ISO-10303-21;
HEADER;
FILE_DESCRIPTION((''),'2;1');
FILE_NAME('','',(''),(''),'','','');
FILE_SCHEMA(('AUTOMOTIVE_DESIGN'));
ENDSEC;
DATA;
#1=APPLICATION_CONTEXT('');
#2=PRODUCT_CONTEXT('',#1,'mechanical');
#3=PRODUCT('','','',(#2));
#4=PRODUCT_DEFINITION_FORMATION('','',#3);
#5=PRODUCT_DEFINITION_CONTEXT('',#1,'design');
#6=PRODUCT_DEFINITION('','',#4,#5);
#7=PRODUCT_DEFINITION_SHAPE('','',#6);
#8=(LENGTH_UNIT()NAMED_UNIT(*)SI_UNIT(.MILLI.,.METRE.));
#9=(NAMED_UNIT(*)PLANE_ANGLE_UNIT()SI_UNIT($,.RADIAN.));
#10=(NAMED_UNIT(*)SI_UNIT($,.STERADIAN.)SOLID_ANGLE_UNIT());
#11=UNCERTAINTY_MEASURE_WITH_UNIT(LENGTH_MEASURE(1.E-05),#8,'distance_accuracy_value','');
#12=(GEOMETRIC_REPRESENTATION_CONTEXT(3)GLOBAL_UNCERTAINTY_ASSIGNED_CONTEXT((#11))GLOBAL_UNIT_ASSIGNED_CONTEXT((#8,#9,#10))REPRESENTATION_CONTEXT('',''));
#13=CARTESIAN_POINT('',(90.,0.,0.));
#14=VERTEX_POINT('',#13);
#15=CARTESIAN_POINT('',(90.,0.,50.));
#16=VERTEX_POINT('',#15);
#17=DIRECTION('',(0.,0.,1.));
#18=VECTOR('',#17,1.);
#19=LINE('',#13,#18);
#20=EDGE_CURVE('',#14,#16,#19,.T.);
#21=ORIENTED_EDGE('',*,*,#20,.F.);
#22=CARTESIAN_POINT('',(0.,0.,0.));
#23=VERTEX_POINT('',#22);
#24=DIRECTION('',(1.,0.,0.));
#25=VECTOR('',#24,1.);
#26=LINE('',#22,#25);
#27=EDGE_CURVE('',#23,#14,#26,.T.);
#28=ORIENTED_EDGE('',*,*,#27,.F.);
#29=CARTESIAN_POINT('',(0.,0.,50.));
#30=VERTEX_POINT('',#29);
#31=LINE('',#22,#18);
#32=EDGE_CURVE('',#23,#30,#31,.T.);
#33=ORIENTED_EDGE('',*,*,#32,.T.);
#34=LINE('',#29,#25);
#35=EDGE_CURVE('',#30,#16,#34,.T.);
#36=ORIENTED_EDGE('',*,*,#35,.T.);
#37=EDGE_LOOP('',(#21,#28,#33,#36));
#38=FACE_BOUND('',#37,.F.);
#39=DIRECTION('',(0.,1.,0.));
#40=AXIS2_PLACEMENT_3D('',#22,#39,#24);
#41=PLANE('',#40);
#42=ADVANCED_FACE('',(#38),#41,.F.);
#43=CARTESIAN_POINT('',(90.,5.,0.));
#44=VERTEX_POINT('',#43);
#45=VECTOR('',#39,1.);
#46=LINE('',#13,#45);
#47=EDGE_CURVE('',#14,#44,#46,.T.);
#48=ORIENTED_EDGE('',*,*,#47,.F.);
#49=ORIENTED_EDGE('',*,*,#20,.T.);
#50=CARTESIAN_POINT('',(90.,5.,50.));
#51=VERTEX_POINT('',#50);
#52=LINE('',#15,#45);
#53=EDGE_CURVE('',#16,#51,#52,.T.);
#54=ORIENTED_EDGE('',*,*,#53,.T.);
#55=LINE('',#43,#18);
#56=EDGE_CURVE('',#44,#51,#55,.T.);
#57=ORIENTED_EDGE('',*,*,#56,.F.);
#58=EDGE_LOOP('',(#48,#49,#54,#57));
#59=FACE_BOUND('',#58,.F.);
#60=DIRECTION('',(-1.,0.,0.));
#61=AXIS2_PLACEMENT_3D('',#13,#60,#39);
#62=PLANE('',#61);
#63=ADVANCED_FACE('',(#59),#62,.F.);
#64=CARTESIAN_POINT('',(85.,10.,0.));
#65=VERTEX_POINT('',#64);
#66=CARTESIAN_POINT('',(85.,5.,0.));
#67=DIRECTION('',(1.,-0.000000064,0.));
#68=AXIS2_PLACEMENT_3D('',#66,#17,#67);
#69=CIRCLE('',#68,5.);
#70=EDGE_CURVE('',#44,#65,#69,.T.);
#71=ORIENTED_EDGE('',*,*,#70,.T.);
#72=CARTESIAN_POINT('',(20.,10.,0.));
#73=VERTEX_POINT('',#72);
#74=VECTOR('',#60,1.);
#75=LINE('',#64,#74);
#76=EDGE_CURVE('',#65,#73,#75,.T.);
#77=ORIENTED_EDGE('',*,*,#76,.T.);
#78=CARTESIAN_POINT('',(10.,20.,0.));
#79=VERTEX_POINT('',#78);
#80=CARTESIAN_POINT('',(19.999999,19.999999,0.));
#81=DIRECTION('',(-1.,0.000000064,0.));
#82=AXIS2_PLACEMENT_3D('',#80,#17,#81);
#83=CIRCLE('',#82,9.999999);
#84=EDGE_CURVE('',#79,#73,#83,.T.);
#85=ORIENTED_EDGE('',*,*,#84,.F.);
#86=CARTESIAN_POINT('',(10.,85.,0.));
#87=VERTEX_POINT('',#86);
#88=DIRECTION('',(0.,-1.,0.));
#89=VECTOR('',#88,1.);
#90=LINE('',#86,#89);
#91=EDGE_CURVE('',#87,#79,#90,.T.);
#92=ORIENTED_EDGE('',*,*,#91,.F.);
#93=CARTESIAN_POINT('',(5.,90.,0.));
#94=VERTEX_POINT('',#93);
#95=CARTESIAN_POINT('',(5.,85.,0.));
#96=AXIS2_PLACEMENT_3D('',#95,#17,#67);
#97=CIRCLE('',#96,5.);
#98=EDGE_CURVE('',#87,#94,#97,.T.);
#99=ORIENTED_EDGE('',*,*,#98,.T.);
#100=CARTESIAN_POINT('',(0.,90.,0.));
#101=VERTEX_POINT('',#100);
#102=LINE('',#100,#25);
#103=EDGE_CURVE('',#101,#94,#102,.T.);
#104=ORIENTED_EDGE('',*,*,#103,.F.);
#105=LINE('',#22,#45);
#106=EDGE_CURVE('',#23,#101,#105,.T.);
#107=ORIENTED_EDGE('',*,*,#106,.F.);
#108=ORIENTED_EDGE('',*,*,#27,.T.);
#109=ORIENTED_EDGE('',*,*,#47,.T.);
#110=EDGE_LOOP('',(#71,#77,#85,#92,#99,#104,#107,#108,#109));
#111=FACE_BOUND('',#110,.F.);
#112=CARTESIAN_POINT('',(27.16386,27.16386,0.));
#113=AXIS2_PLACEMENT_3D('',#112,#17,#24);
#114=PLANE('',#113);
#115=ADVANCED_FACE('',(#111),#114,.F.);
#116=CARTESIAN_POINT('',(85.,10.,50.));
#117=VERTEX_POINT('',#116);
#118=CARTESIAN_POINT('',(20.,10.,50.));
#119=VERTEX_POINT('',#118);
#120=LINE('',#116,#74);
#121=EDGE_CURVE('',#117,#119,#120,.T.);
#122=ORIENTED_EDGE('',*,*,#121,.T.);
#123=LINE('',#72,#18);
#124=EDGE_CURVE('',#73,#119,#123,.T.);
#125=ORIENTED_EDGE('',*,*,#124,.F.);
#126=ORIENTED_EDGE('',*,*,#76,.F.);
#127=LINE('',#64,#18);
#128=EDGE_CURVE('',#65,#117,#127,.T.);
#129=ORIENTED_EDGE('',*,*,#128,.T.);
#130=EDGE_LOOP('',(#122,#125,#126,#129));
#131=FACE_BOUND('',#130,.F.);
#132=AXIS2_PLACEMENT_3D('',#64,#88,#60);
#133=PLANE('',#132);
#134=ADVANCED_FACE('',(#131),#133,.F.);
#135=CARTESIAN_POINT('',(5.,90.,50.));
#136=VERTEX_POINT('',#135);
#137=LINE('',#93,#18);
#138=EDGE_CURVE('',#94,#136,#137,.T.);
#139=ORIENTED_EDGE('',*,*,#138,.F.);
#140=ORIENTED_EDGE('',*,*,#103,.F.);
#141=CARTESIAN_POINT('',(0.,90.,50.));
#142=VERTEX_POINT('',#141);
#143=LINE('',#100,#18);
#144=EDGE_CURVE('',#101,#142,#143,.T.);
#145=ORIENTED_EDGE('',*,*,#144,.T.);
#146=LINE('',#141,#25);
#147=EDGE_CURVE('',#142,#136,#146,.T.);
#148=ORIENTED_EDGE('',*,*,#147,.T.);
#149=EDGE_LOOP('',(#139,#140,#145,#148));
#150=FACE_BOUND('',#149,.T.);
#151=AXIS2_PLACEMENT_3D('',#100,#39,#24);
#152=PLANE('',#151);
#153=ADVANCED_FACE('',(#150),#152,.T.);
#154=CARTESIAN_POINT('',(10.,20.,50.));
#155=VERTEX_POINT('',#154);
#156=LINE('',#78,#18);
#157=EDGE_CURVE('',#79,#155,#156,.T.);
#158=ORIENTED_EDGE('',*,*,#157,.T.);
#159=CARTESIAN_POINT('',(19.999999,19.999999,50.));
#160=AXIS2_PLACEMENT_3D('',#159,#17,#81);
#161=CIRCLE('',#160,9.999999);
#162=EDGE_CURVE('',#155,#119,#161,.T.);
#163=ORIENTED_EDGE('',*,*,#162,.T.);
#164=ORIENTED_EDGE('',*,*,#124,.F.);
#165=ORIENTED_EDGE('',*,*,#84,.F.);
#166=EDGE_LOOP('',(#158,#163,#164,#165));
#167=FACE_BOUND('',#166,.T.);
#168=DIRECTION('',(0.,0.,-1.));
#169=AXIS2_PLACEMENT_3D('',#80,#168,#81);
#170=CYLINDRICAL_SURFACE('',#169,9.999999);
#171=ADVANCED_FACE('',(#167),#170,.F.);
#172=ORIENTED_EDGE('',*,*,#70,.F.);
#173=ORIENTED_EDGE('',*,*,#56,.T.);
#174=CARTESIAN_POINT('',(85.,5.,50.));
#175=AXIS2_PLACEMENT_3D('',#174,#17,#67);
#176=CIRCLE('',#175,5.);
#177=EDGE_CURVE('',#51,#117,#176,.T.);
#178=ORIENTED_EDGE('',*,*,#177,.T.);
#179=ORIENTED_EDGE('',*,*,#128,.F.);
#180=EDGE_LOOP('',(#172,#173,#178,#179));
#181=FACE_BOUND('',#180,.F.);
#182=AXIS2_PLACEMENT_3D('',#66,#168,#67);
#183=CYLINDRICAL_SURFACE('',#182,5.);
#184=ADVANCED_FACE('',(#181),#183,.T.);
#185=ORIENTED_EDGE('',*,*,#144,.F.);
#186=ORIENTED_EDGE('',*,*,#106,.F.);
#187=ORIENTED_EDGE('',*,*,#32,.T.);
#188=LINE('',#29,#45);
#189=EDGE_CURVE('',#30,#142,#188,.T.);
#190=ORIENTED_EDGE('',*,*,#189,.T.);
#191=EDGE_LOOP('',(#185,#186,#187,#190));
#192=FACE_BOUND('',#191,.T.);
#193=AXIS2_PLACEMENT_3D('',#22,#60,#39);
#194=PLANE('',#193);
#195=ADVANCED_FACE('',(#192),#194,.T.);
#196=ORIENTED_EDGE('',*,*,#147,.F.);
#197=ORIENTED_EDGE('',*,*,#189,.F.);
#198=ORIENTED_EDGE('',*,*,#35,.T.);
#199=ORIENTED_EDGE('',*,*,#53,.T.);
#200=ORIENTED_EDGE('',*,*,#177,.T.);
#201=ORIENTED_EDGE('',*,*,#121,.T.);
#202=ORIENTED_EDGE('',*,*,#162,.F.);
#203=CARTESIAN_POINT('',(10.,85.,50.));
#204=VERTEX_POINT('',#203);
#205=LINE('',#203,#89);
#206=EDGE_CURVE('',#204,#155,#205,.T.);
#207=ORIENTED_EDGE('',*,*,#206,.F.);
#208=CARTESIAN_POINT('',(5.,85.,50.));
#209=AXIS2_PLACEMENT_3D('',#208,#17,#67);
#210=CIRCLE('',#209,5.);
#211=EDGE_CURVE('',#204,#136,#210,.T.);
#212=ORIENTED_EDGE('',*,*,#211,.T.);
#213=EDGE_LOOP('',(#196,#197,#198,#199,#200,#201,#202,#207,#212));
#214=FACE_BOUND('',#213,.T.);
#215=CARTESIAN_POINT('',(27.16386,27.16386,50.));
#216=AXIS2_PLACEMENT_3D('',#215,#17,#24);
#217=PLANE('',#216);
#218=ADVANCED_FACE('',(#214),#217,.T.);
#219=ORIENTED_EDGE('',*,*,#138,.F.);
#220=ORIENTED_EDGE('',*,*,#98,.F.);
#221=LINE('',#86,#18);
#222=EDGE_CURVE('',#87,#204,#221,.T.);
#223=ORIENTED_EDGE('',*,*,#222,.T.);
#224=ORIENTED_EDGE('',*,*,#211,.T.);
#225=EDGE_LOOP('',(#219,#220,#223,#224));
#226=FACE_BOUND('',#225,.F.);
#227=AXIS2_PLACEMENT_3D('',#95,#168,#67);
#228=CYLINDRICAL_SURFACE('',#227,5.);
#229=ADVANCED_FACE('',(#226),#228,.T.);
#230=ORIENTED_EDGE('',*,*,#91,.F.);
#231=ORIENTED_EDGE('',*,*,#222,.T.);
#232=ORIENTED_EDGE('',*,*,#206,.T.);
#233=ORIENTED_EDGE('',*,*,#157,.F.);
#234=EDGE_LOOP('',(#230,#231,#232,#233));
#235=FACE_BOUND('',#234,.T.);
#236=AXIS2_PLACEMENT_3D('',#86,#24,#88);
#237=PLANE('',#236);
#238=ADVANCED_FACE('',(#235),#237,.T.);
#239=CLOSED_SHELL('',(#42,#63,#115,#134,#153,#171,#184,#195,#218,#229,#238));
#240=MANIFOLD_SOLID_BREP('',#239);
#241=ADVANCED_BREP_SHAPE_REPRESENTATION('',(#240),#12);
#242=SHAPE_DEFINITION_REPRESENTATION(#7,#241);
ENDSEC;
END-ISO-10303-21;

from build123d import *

# Parameters (mm, degrees)
EXTRUDE_DEPTH = 50


with BuildPart() as part:
    # Sketch → Extrude (new body)
    with BuildSketch(Plane.XY):
        with BuildLine():
            Line((0, 0), (90, 0))
            Line((90, 0), (90, 5))
            ThreePointArc((90, 5), (88.535534, 8.535534), (85, 10))
            Line((85, 10), (20, 10))
            ThreePointArc((10, 20), (12.928932, 12.928932), (20, 10))
            Line((10, 85), (10, 20))
            ThreePointArc((10, 85), (8.535534, 88.535534), (5, 90))
            Line((0, 90), (5, 90))
            Line((0, 0), (0, 90))
        make_face()
    extrude(amount=EXTRUDE_DEPTH)


solid = part.part
